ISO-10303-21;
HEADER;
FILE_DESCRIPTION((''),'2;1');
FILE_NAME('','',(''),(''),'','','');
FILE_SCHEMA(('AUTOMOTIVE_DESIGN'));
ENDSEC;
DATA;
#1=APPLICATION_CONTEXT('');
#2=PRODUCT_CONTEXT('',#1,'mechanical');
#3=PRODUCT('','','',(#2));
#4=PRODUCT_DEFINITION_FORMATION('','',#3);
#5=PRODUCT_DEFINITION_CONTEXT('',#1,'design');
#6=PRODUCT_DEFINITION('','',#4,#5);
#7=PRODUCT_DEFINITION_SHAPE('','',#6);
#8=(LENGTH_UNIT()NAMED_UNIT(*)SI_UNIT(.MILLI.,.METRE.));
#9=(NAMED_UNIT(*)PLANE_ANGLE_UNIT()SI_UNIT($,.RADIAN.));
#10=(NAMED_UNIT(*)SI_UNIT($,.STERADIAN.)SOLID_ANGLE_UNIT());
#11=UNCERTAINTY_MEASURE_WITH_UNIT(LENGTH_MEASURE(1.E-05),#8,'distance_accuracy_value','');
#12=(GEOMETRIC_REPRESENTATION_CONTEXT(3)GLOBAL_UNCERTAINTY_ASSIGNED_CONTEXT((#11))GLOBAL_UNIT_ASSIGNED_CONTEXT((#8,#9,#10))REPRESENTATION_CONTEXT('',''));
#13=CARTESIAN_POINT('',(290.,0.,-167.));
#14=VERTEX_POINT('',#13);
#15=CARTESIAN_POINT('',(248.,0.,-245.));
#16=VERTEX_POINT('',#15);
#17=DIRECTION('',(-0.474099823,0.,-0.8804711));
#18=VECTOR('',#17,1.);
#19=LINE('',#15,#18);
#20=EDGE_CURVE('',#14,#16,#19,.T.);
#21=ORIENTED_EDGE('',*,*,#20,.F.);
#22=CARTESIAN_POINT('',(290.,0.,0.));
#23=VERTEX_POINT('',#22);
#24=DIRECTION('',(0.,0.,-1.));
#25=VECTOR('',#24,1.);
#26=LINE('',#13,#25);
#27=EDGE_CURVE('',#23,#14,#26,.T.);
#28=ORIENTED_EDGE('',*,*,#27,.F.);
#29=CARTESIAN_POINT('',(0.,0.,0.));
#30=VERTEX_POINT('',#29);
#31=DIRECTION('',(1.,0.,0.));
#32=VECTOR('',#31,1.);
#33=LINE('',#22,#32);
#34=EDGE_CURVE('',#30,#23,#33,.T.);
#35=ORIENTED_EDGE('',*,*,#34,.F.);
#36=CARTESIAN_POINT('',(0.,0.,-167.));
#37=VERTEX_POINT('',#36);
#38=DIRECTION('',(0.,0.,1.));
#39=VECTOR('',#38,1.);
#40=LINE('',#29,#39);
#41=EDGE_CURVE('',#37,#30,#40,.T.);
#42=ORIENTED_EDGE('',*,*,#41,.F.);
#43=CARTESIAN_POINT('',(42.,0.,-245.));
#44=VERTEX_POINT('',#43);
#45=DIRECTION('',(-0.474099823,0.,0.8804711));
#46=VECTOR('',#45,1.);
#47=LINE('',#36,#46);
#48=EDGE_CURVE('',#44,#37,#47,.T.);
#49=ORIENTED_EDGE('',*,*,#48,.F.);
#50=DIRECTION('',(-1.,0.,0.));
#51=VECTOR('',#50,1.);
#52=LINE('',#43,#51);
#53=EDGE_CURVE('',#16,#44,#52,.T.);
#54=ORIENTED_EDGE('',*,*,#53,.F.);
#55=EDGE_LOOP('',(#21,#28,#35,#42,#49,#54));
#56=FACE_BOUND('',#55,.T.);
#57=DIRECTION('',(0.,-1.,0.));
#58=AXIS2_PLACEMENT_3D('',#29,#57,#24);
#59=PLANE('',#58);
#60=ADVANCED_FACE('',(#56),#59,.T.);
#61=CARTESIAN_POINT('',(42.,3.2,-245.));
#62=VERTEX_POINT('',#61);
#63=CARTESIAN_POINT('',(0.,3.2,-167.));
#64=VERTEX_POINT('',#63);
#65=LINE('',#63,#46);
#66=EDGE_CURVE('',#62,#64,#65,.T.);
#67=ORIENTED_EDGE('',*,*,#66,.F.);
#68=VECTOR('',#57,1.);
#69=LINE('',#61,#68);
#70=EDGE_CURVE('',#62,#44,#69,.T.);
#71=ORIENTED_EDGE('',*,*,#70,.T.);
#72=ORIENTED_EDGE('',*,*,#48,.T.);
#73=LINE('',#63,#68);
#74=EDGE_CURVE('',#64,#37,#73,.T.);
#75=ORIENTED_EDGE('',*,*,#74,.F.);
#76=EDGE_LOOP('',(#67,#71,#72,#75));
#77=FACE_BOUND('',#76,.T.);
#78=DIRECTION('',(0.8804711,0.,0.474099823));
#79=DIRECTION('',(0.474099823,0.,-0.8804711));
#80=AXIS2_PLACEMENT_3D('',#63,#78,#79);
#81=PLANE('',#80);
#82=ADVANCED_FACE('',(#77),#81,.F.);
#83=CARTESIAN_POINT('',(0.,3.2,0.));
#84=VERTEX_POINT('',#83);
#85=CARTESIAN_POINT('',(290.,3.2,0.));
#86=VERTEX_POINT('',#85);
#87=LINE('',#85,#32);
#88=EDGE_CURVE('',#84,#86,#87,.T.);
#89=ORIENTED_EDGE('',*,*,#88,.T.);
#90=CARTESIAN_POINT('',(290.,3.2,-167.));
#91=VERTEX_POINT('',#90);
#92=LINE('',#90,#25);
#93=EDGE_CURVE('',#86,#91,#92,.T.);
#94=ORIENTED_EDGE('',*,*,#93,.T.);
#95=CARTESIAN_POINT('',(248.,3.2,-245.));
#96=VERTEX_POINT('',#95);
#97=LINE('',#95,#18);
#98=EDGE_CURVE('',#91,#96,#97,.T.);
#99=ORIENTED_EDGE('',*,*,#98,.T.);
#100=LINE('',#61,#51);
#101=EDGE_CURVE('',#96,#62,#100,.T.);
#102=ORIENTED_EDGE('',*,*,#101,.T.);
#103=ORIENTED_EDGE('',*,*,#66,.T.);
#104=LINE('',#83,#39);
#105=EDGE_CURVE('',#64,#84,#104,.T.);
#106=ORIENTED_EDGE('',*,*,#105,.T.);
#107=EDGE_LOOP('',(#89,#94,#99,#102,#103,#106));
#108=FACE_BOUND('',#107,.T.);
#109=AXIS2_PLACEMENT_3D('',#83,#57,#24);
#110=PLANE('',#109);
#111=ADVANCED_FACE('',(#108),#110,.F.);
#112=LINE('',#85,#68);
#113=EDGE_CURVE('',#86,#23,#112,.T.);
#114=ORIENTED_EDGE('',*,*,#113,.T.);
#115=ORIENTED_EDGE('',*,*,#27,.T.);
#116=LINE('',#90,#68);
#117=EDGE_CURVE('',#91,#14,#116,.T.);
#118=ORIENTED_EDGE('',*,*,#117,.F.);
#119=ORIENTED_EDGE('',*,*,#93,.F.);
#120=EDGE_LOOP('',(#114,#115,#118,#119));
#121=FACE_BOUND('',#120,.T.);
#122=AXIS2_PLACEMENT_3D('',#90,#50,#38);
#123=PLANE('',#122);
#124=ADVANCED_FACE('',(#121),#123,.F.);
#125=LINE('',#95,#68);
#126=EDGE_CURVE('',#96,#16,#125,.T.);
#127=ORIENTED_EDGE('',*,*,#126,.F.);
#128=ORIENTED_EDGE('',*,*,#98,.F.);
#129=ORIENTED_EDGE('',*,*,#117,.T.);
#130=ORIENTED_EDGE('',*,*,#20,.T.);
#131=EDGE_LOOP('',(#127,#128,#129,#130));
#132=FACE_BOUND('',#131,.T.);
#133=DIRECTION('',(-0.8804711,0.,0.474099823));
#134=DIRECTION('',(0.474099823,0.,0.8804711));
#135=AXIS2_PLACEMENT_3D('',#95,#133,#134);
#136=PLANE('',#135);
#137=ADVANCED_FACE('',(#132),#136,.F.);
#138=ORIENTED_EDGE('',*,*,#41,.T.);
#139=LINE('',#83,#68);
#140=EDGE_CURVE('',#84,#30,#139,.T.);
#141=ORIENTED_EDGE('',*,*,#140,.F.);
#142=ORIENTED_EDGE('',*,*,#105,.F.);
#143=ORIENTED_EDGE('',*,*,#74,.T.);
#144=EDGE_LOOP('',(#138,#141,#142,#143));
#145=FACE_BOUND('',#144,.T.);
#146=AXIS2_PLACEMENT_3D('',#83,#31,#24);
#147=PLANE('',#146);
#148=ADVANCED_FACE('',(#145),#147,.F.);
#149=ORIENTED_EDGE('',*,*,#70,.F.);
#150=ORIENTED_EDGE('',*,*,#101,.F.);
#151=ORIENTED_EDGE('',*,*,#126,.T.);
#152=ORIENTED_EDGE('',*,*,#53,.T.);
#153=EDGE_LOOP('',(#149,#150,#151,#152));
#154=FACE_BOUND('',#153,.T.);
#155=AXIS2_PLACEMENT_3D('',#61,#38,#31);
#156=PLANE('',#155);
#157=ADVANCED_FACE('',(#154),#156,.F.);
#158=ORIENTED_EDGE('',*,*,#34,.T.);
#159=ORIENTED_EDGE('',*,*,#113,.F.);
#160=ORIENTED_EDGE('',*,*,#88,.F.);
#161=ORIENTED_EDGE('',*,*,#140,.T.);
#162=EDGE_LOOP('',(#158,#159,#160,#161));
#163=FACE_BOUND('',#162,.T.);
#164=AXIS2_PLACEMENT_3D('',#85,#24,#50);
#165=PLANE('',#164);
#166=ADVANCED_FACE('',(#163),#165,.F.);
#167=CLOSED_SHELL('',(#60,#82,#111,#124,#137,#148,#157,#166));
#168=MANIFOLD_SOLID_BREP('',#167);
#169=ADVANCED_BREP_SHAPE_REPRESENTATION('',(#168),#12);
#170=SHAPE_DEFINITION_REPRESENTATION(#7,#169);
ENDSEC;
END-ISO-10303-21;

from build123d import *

# Parameters (mm, degrees)
BOSS_EXTRUDE1_DEPTH = 3.2


with BuildPart() as part:
    # Sketch1 → Boss-Extrude1 (new body)
    with BuildSketch(Plane(origin=(0, 0, 0), x_dir=(1, 0, 0), z_dir=(0, 1, 0))):
        Polygon((0, 0), (0, 167), (42, 245), (248, 245), (290, 167), (290, 0), align=None)
    extrude(amount=BOSS_EXTRUDE1_DEPTH)


solid = part.part
